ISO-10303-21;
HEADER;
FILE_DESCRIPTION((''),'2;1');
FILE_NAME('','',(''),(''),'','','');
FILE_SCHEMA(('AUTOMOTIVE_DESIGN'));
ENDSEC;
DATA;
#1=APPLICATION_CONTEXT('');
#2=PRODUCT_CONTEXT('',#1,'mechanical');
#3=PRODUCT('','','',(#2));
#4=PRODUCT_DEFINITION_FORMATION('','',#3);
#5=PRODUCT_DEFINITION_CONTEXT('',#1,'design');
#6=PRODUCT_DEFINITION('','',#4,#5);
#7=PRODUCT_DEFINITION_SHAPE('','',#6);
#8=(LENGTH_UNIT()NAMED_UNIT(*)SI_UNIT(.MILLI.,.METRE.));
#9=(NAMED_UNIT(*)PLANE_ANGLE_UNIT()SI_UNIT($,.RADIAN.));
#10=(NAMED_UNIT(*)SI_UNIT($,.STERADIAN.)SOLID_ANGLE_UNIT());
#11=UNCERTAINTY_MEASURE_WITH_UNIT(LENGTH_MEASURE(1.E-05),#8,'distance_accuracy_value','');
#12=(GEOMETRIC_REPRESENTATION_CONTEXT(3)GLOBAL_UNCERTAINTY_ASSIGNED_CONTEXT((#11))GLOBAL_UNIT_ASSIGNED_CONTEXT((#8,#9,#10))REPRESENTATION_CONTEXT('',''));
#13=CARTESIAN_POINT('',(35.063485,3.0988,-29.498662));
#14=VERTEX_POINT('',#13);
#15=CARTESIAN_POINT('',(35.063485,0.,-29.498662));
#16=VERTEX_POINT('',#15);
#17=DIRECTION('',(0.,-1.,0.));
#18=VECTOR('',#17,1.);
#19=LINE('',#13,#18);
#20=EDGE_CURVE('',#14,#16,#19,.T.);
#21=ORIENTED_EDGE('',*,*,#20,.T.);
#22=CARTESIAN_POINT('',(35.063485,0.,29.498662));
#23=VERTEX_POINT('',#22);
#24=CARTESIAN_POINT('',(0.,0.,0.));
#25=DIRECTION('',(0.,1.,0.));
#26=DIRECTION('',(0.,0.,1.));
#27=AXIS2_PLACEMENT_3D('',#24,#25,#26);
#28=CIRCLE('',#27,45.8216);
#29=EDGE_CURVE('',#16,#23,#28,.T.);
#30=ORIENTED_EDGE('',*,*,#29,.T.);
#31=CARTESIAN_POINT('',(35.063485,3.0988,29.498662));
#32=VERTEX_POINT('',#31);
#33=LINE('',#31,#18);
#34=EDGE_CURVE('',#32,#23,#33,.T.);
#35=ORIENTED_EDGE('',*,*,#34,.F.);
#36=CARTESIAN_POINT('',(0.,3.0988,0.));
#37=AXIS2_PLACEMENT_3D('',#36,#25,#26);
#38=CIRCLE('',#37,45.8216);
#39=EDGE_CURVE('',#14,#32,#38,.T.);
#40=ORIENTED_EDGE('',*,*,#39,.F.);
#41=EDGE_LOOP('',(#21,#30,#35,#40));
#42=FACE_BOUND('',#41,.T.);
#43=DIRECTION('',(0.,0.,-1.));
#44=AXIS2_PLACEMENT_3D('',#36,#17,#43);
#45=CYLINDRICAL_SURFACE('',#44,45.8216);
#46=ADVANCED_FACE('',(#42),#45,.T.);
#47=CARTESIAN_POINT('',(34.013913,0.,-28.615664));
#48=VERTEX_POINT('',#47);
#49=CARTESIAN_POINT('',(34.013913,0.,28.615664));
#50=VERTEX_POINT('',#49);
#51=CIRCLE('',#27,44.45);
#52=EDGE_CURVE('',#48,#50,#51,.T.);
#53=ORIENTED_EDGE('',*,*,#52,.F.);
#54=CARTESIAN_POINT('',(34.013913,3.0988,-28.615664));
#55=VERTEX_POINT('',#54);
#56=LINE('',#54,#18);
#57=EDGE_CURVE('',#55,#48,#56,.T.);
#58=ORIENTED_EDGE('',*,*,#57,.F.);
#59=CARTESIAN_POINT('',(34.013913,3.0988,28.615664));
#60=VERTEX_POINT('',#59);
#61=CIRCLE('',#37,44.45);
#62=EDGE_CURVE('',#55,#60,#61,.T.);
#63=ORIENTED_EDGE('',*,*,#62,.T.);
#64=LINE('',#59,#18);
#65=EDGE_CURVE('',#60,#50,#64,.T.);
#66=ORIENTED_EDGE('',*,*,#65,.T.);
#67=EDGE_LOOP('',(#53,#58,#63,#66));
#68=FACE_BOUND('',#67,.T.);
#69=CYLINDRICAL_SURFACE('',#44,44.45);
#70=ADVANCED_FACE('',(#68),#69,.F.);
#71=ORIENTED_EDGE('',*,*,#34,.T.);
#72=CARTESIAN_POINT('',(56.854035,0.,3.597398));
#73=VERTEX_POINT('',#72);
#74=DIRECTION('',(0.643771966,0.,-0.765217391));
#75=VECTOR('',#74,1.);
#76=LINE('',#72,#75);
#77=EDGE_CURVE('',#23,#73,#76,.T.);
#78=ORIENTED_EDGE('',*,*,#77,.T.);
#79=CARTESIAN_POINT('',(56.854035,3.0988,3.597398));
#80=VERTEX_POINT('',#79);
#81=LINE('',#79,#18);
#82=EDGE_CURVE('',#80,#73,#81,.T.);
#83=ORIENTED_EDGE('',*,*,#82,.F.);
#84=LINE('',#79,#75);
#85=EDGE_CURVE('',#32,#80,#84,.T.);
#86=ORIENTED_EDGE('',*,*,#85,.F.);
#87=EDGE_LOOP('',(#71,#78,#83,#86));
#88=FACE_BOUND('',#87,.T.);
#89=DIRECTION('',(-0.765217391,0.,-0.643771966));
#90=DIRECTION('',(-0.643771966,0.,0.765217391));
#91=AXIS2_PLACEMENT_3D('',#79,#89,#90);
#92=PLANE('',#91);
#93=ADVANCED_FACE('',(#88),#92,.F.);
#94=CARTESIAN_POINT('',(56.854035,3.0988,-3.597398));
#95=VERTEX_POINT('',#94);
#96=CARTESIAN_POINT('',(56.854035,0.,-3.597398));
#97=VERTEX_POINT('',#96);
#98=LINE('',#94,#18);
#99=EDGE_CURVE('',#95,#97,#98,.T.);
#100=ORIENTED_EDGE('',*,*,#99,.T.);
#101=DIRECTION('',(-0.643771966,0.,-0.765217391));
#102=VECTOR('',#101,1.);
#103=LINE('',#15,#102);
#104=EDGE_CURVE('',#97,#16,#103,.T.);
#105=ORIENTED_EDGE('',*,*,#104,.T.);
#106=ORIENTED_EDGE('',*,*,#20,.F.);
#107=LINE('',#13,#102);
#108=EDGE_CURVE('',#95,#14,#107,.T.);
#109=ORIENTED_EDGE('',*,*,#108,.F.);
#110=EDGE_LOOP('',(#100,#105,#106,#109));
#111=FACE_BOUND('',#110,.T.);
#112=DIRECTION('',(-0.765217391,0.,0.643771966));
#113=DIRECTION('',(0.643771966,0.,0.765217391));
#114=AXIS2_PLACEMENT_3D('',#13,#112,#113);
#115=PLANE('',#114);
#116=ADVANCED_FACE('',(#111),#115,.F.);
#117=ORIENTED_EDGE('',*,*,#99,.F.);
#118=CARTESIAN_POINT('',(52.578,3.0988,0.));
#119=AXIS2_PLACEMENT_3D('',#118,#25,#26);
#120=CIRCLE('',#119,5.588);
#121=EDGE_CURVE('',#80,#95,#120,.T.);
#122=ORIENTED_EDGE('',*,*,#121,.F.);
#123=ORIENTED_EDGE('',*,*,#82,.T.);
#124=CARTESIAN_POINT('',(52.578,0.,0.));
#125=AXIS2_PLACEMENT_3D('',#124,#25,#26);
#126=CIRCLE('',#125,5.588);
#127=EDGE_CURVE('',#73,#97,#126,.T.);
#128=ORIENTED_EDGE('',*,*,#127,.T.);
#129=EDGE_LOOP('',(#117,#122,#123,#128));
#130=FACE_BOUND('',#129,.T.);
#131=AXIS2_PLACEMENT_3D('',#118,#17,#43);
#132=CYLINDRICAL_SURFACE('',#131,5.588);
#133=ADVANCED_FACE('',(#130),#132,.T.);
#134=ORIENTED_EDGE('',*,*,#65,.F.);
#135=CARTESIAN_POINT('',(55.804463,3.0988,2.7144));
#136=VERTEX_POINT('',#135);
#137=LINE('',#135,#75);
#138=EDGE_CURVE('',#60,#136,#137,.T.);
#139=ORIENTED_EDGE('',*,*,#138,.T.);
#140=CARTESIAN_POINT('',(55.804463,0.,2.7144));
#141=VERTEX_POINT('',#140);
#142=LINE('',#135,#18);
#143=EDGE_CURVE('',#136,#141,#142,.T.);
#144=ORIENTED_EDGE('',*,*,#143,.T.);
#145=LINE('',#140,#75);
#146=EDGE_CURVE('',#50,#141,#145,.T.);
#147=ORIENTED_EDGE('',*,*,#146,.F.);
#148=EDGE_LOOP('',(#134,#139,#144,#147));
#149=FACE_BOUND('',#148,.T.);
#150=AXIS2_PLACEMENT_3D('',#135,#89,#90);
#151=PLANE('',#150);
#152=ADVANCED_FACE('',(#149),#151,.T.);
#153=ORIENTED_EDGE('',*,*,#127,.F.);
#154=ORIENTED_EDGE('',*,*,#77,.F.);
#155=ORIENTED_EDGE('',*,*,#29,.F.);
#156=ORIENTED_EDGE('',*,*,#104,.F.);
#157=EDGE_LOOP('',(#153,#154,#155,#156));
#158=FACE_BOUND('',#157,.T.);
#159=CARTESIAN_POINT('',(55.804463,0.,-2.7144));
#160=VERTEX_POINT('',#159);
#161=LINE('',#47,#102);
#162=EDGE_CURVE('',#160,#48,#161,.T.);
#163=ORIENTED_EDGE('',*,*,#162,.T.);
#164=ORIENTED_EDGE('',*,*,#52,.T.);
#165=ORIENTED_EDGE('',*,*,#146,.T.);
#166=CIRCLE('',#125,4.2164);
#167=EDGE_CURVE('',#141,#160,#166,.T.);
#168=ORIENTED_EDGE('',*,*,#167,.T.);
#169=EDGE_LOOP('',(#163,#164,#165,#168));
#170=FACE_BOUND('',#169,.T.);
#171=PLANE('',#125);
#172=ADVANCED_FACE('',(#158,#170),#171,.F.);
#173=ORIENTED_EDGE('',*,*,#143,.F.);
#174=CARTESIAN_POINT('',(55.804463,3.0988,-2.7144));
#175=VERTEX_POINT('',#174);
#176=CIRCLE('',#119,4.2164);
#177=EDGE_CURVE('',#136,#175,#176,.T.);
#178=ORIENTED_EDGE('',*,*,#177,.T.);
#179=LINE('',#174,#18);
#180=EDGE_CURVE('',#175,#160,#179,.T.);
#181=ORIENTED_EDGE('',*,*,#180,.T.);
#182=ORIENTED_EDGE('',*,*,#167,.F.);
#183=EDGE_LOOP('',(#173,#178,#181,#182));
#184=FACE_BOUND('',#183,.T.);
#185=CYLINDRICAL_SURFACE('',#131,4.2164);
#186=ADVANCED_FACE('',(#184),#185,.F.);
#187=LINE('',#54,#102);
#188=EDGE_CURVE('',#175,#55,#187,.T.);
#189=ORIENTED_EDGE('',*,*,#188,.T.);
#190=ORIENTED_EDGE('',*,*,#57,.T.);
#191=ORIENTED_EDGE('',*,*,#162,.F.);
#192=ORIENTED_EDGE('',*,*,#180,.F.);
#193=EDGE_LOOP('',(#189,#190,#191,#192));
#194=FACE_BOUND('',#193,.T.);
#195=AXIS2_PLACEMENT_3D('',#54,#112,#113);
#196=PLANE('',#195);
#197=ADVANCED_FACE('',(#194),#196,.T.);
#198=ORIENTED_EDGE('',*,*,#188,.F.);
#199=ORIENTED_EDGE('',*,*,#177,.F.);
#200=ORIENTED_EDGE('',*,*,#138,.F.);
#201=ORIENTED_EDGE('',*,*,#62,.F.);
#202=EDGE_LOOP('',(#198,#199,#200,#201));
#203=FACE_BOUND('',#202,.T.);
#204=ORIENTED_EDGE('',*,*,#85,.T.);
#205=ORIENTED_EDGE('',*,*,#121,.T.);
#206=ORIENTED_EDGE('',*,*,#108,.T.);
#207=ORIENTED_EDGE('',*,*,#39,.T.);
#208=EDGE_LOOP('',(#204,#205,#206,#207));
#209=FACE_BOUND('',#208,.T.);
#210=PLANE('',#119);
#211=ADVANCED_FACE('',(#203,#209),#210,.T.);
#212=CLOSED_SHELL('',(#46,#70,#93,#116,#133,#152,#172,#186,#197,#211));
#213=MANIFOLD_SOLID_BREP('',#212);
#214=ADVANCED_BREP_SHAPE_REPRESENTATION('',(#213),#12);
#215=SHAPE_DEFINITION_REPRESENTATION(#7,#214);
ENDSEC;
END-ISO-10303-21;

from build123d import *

# Parameters (mm, degrees)
EXTRUDE1_DEPTH = 3.0988


with BuildPart() as part:
    # Sketch1 → Extrude1 (new body)
    with BuildSketch(Plane(origin=(0, 0, 0), x_dir=(1, 0, 0), z_dir=(0, 1, 0))):
        with BuildLine():
            Line((35.063485217, 29.498661511), (56.854034783, 3.597397745))
            ThreePointArc((56.854034783, 3.597397745), (58.166, 0), (56.854034783, -3.597397745))
            Line((56.854034783, -3.597397745), (35.063485217, -29.498661511))
            ThreePointArc((35.063485217, -29.498661511), (-45.8216, 0), (35.063485217, 29.498661511))
        make_face()
        with BuildLine():
            Line((55.804462609, -2.714400117), (34.013913043, -28.615663883))
            ThreePointArc((34.013913043, -28.615663883), (-44.45, 0), (34.013913043, 28.615663883))
            Line((34.013913043, 28.615663883), (55.804462609, 2.714400117))
            ThreePointArc((55.804462609, 2.714400117), (56.7944, 0), (55.804462609, -2.714400117))
        make_face(mode=Mode.SUBTRACT)
    extrude(amount=EXTRUDE1_DEPTH)


solid = part.part
